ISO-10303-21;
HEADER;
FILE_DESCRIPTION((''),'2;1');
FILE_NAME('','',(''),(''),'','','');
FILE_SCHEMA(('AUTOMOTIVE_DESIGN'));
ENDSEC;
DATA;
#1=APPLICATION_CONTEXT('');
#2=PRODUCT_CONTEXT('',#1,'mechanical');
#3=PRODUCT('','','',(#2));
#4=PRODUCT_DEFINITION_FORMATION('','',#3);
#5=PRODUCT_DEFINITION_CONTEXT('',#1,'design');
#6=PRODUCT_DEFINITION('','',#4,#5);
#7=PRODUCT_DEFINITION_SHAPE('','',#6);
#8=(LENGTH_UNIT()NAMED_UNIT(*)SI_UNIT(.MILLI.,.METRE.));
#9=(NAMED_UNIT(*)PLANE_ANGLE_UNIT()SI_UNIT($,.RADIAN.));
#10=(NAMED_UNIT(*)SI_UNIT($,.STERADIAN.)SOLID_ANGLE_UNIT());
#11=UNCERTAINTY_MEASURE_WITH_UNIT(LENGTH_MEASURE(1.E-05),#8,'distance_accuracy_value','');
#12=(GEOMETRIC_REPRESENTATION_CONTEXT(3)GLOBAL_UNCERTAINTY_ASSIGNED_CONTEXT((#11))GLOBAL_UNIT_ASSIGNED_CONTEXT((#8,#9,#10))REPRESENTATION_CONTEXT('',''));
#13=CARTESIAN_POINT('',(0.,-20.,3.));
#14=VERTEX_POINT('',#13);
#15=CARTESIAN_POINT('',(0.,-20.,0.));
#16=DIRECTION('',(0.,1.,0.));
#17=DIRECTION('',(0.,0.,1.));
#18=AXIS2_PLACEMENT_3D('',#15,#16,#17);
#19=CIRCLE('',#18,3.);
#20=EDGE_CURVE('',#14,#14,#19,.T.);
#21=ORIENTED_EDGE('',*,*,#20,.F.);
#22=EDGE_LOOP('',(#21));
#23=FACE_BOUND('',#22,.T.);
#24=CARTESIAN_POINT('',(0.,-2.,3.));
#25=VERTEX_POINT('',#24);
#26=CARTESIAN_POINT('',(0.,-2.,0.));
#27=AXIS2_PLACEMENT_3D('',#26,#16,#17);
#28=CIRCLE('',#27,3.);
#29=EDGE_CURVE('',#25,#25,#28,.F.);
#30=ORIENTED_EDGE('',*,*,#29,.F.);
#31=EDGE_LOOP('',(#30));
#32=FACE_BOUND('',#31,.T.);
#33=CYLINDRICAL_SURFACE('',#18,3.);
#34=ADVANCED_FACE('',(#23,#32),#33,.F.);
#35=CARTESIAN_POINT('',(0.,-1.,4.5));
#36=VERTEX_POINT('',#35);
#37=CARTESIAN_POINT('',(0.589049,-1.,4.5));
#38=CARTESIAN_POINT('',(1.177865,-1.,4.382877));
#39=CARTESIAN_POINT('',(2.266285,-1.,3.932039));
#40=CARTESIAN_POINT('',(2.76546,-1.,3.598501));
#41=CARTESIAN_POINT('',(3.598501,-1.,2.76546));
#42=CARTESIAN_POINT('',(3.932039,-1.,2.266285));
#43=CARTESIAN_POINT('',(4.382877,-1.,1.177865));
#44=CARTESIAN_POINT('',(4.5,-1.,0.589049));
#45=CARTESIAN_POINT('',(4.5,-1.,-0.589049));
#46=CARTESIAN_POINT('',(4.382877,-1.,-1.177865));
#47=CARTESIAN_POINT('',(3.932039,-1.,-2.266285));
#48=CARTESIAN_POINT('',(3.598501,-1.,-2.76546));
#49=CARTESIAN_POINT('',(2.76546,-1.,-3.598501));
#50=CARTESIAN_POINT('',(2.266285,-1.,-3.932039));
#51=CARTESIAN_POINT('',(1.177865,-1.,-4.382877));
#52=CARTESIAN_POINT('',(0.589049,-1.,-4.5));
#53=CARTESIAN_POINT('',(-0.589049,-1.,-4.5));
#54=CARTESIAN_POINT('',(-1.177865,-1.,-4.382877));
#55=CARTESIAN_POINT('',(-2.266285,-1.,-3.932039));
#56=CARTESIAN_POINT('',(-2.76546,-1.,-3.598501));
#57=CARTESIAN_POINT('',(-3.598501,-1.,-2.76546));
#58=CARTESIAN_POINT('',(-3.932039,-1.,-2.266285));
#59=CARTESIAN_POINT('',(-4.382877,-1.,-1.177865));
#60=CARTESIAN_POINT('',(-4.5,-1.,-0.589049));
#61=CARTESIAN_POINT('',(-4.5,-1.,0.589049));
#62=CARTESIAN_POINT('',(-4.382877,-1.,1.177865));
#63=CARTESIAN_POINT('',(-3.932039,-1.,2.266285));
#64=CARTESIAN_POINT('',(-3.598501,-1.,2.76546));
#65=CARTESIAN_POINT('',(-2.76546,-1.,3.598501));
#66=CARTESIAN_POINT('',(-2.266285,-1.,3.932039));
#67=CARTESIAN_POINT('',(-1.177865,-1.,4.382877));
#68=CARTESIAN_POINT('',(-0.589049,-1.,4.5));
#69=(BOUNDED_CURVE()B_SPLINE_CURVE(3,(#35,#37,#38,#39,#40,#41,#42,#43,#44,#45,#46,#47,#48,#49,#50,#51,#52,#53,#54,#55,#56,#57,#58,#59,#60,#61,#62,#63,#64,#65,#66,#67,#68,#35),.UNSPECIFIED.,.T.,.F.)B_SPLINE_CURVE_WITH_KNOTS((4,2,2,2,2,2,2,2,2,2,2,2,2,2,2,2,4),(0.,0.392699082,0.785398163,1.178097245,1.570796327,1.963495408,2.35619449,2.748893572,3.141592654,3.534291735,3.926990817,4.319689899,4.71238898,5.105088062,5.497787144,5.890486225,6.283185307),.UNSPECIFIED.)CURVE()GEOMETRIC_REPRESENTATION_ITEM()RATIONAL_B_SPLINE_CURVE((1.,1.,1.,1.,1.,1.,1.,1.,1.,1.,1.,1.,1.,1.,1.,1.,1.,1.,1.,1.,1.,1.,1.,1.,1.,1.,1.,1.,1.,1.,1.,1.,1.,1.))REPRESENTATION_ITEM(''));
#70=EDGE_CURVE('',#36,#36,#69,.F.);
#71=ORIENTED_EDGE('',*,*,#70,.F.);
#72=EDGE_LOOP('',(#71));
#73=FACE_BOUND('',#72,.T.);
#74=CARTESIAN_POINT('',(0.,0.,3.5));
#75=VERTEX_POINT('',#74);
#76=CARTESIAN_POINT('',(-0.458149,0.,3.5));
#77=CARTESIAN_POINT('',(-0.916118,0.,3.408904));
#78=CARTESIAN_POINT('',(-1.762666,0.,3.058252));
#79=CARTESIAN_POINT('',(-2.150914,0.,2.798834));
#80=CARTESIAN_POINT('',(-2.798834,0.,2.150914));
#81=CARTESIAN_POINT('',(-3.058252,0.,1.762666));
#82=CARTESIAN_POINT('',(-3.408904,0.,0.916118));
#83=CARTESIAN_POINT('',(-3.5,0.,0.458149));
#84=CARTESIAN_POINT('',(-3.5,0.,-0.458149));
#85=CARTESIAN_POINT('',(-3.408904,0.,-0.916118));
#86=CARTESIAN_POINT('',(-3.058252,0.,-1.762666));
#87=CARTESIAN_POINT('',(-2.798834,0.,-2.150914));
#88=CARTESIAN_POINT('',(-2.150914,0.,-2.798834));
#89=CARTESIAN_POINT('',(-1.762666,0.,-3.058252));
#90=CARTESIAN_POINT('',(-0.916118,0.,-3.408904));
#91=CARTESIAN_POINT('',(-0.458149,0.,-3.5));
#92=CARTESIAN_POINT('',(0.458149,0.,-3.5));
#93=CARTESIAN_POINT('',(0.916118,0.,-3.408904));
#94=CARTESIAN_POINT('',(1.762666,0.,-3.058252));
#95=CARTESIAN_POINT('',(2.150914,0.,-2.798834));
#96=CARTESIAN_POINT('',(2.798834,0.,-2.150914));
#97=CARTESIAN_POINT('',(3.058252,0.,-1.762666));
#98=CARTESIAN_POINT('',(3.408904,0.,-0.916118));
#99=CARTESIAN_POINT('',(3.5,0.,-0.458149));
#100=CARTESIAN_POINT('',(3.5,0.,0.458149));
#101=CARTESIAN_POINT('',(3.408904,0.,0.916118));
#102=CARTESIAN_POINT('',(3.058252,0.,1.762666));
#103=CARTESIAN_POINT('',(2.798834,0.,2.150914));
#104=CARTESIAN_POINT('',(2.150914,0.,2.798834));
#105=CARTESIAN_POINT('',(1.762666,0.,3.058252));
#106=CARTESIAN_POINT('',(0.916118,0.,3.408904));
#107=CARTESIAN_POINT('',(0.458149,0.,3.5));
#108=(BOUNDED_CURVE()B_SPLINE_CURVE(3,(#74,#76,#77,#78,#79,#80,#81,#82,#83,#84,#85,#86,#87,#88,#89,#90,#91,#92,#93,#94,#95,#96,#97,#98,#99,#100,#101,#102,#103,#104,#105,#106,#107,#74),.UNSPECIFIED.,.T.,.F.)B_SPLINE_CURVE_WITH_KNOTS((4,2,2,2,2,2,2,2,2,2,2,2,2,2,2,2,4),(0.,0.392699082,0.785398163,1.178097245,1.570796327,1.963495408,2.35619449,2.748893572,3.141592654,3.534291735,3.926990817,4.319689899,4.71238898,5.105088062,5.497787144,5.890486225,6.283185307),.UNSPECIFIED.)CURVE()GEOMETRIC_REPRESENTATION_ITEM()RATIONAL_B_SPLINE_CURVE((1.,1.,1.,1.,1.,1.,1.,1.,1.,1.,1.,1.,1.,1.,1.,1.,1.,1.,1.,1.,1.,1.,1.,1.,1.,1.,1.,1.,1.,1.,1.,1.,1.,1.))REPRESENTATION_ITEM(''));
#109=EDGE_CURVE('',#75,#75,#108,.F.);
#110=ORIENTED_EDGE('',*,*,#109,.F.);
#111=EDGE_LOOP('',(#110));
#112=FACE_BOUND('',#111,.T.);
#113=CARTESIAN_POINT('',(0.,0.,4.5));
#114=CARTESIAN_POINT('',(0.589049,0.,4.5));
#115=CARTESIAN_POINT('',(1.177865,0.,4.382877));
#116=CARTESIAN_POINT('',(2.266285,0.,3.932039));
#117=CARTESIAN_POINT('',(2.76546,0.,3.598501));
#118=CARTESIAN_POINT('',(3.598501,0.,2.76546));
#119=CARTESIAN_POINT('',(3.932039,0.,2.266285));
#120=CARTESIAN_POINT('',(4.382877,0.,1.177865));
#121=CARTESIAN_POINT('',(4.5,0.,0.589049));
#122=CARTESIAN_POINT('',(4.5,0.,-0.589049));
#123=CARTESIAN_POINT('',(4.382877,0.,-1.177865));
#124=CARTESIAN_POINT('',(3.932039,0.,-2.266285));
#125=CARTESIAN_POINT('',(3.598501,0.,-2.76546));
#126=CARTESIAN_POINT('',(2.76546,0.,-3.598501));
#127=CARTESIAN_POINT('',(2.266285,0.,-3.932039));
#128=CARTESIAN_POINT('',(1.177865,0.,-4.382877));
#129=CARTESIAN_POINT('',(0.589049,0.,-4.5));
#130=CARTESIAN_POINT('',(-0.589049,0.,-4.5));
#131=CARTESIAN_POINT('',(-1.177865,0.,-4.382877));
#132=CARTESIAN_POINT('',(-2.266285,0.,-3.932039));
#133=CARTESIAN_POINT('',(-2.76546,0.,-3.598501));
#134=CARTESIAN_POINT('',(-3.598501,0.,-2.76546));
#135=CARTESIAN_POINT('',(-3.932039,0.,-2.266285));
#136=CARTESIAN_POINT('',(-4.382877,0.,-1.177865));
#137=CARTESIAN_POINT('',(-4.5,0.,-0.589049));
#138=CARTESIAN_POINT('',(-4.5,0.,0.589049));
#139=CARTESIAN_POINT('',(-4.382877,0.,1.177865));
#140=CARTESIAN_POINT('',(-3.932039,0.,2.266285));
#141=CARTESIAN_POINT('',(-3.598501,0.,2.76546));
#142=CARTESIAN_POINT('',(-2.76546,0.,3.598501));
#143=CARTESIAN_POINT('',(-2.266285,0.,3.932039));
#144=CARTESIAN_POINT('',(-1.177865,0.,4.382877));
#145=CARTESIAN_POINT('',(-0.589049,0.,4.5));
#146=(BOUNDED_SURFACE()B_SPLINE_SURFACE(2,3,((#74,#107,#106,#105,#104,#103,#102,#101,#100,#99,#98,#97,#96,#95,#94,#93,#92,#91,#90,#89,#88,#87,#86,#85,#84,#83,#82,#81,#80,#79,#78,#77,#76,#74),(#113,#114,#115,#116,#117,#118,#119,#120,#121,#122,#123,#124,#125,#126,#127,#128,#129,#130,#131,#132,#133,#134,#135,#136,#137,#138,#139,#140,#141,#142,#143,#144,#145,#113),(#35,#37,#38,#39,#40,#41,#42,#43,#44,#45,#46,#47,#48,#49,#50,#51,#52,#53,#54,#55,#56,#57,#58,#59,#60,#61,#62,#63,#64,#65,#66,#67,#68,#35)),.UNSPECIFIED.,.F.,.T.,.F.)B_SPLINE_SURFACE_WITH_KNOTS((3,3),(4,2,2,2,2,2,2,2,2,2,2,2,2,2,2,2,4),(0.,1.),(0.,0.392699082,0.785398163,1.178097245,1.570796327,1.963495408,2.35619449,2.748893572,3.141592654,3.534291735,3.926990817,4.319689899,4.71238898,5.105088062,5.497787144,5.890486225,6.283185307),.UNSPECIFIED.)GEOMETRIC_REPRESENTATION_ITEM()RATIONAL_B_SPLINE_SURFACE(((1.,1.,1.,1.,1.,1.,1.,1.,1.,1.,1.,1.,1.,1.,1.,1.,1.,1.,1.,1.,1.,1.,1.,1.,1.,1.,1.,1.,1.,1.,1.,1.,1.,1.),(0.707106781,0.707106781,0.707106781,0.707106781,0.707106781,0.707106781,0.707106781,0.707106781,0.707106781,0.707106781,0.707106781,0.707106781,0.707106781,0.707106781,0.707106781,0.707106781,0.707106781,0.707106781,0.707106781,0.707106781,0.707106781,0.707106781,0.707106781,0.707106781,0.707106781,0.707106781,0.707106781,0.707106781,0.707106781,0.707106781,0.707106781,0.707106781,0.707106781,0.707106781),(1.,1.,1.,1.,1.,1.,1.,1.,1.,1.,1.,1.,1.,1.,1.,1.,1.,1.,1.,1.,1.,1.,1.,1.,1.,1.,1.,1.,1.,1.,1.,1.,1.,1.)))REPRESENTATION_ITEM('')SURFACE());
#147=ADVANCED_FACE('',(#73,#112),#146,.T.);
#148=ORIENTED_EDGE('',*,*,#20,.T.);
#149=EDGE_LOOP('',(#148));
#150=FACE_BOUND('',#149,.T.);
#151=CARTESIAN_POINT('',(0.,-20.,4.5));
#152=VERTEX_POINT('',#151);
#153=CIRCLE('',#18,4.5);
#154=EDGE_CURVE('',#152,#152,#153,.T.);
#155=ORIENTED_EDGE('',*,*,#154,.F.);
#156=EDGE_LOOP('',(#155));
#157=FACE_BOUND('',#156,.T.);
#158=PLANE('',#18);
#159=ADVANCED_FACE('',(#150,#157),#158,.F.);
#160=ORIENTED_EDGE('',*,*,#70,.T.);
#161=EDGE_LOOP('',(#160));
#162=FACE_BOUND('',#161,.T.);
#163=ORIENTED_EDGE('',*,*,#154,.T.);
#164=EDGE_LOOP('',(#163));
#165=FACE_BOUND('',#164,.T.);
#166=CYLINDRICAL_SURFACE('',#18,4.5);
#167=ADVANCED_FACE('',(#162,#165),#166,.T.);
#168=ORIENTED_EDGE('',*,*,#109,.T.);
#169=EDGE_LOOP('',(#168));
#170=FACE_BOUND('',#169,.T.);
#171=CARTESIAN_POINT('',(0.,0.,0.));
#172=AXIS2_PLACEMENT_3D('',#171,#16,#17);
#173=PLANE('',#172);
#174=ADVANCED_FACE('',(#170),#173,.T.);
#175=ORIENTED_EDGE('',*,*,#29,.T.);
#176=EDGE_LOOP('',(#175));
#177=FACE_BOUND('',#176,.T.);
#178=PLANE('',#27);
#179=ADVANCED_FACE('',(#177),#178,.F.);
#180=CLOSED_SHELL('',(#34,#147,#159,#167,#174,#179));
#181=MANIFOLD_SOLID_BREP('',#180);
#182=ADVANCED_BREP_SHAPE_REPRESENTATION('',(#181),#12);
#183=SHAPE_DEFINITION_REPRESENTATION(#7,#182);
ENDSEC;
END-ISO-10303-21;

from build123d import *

# Parameters (mm, degrees)
SKETCH2_R           = 4.5
SKETCH2_R_2         = 3
BOSS_EXTRUDE1_DEPTH = 20
SKETCH2_2_R         = 3
BOSS_EXTRUDE2_DEPTH = 2
FILLET1_R           = 1


with BuildPart() as part:
    # Sketch2 → Boss-Extrude1 (new body)
    with BuildSketch(Plane(origin=(0, 0, 0), x_dir=(1, 0, 0), z_dir=(0, 1, 0))):
        Circle(SKETCH2_R)
        Circle(SKETCH2_R_2, mode=Mode.SUBTRACT)
    extrude(amount=-BOSS_EXTRUDE1_DEPTH)

    # Sketch2<2> → Boss-Extrude2 (add)
    with BuildSketch(Plane(origin=(0, 0, 0), x_dir=(1, 0, 0), z_dir=(0, 1, 0))):
        Circle(SKETCH2_2_R)
    extrude(amount=-BOSS_EXTRUDE2_DEPTH)

    # Fillet1
    fillet1_edges = [part.edges().sort_by_distance(p)[0] for p in [
        (-4.5, 0, 0),
    ]]
    fillet(fillet1_edges, radius=FILLET1_R)


solid = part.part
